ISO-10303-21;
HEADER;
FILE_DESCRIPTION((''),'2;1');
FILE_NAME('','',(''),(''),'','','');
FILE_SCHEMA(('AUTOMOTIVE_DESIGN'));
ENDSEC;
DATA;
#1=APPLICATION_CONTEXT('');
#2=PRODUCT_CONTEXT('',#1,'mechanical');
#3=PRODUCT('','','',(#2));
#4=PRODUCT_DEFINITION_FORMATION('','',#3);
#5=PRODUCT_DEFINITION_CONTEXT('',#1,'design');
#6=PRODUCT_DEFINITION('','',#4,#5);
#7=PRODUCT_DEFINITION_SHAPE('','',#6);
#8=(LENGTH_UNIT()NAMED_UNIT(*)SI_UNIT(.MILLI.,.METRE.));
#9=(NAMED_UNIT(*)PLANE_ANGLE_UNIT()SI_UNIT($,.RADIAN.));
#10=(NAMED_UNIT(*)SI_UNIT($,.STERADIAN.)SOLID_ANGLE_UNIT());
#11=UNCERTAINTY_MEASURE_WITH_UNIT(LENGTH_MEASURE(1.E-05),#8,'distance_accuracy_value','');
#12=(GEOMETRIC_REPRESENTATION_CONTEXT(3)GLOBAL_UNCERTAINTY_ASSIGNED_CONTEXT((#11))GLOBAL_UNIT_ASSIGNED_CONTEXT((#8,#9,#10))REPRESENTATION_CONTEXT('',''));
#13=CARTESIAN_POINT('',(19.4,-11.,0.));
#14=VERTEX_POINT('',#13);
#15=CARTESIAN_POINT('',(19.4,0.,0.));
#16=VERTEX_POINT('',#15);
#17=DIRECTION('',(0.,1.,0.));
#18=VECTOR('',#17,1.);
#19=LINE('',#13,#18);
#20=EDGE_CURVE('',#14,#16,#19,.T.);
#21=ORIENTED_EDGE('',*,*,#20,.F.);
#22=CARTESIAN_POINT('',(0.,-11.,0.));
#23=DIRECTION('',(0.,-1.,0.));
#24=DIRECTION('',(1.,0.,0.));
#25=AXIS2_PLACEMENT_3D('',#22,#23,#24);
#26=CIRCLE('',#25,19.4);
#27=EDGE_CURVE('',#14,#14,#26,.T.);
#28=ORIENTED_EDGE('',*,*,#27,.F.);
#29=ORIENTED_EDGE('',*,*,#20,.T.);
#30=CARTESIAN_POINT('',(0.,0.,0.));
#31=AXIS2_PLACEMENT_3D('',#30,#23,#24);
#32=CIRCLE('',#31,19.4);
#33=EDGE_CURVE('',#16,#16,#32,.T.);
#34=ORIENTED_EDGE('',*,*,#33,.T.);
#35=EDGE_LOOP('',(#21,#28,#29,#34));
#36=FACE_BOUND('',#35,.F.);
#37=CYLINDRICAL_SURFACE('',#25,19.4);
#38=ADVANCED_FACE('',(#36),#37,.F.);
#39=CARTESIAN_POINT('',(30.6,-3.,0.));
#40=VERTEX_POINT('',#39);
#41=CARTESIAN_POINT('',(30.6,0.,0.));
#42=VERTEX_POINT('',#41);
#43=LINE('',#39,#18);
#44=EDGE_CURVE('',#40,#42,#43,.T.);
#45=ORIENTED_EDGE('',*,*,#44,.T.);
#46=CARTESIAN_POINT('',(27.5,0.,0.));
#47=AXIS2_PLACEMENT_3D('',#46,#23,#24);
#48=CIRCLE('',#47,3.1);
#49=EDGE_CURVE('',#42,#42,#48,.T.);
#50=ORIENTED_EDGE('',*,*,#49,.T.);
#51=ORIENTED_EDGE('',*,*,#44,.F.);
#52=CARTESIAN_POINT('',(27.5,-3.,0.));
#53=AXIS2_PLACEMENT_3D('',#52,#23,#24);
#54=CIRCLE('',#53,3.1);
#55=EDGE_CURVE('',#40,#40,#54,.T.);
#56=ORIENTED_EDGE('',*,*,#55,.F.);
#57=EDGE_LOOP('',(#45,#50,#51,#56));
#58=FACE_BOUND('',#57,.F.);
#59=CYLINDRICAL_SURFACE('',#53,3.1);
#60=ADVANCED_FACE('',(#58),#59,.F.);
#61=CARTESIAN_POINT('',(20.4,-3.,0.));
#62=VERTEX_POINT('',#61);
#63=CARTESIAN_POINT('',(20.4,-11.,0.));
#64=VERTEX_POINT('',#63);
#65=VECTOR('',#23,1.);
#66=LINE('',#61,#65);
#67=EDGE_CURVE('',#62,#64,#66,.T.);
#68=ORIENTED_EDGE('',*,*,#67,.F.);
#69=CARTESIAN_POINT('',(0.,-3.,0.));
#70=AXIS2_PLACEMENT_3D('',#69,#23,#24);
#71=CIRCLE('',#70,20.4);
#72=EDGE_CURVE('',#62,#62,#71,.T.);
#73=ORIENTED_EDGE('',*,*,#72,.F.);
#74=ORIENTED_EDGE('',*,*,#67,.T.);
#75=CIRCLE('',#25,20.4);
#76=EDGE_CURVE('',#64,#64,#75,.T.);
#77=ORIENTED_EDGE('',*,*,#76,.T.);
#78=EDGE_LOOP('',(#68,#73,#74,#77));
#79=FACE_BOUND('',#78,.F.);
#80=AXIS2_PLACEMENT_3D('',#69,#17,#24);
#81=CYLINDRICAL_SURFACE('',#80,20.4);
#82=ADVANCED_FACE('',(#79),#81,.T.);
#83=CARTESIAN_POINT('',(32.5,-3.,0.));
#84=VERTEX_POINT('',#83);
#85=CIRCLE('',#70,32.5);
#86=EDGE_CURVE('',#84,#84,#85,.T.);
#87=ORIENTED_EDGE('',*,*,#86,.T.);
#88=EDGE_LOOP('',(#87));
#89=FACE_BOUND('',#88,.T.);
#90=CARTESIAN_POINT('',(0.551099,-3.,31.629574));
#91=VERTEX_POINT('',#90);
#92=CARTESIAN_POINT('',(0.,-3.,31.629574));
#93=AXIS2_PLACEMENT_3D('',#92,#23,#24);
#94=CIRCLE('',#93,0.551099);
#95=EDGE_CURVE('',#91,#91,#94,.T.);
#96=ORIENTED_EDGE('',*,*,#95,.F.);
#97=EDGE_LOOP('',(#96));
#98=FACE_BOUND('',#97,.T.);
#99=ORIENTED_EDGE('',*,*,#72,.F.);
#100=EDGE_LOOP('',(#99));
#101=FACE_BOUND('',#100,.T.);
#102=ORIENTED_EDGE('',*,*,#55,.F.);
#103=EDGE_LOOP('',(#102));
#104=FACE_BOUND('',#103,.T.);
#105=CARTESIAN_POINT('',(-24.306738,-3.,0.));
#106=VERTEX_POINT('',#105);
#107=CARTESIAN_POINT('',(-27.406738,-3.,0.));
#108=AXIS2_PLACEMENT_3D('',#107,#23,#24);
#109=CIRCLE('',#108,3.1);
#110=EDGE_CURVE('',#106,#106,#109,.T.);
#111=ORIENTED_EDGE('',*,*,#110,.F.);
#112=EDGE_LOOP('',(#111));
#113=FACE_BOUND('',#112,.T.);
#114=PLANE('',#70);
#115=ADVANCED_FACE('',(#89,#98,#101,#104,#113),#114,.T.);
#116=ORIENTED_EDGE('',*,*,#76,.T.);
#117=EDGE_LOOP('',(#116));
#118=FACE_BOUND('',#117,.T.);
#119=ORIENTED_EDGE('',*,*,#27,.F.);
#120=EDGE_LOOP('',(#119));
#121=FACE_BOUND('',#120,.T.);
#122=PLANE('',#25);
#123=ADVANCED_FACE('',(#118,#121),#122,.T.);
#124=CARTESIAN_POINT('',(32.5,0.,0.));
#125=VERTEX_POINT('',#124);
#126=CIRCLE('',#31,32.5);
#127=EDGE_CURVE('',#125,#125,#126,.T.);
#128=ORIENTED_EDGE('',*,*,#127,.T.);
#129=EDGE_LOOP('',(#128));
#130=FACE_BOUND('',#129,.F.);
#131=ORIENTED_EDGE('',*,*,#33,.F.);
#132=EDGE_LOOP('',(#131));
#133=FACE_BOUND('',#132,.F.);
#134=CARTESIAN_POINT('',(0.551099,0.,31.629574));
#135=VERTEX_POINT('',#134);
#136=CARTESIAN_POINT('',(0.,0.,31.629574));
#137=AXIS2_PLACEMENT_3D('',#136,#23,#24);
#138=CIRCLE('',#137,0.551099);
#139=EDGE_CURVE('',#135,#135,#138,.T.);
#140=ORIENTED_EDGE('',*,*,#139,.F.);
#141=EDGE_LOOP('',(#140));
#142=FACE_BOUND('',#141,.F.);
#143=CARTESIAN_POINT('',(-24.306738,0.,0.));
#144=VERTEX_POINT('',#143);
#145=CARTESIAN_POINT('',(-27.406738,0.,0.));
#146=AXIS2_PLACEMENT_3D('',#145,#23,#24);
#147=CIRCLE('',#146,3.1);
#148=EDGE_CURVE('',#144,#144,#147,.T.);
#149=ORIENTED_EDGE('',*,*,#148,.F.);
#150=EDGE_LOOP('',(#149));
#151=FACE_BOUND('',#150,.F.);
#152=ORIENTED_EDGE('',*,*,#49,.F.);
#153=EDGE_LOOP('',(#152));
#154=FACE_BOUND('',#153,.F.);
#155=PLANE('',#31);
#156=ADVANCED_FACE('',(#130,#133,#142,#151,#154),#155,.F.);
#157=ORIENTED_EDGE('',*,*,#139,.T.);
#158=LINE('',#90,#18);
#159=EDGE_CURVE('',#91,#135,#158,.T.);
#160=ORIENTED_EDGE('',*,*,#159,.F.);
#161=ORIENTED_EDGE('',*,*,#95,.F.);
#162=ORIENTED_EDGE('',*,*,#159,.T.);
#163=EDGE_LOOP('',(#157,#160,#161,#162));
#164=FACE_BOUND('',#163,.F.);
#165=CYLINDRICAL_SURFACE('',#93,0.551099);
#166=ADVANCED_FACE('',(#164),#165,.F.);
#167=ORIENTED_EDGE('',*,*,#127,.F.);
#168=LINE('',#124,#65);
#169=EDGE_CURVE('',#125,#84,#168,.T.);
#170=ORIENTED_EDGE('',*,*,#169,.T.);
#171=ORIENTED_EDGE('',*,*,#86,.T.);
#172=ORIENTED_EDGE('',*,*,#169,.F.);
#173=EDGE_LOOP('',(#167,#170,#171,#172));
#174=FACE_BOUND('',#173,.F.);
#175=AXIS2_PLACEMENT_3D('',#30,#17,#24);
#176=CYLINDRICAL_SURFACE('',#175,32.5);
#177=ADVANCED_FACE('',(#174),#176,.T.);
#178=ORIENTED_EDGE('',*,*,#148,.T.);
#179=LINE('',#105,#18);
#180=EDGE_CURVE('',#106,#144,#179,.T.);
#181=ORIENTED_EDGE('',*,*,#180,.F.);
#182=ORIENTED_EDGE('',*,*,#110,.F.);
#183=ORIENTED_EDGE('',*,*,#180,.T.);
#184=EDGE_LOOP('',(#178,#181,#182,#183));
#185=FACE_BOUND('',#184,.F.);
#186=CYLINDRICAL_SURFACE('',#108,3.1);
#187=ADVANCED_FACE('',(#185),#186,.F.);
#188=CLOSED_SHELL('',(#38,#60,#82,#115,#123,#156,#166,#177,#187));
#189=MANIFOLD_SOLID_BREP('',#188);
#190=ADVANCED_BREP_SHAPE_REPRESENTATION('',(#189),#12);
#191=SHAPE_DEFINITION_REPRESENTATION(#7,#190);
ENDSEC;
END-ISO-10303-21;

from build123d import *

# Parameters (mm, degrees)
F0_R     = 32.5
F1_DEPTH = 3
F2_R     = 20.4
F3_DEPTH = 8
F4_R     = 19.4
F5_DEPTH = 11.001
F6_R     = 3.1
F6_R_2   = 0.551099
F7_DEPTH = 3.001


with BuildPart() as f1:
    # F0 (on Front) → F1 (new body)
    with BuildSketch(Plane.XZ):
        Circle(F0_R)
    extrude(amount=F1_DEPTH)

    # F2 (on face) → F3 (join)
    with BuildSketch(Plane.XZ.offset(3)):
        Circle(F2_R)
    extrude(amount=F3_DEPTH)

    # F4 (on face) → F5 (cut, through all)
    with BuildSketch(Plane.XZ.offset(11)):
        Circle(F4_R)
    extrude(amount=-F5_DEPTH, mode=Mode.SUBTRACT)

    # F6 (on face) → F7 (cut, through all)
    with BuildSketch(Plane.XZ.offset(3)):
        with Locations((27.5, 0)):
            Circle(F6_R)
        with Locations((-27.406738, 0)):
            Circle(F6_R)
        with Locations((0, 31.629574)):
            Circle(F6_R_2)
    extrude(amount=-F7_DEPTH, mode=Mode.SUBTRACT)


solid = f1.part
